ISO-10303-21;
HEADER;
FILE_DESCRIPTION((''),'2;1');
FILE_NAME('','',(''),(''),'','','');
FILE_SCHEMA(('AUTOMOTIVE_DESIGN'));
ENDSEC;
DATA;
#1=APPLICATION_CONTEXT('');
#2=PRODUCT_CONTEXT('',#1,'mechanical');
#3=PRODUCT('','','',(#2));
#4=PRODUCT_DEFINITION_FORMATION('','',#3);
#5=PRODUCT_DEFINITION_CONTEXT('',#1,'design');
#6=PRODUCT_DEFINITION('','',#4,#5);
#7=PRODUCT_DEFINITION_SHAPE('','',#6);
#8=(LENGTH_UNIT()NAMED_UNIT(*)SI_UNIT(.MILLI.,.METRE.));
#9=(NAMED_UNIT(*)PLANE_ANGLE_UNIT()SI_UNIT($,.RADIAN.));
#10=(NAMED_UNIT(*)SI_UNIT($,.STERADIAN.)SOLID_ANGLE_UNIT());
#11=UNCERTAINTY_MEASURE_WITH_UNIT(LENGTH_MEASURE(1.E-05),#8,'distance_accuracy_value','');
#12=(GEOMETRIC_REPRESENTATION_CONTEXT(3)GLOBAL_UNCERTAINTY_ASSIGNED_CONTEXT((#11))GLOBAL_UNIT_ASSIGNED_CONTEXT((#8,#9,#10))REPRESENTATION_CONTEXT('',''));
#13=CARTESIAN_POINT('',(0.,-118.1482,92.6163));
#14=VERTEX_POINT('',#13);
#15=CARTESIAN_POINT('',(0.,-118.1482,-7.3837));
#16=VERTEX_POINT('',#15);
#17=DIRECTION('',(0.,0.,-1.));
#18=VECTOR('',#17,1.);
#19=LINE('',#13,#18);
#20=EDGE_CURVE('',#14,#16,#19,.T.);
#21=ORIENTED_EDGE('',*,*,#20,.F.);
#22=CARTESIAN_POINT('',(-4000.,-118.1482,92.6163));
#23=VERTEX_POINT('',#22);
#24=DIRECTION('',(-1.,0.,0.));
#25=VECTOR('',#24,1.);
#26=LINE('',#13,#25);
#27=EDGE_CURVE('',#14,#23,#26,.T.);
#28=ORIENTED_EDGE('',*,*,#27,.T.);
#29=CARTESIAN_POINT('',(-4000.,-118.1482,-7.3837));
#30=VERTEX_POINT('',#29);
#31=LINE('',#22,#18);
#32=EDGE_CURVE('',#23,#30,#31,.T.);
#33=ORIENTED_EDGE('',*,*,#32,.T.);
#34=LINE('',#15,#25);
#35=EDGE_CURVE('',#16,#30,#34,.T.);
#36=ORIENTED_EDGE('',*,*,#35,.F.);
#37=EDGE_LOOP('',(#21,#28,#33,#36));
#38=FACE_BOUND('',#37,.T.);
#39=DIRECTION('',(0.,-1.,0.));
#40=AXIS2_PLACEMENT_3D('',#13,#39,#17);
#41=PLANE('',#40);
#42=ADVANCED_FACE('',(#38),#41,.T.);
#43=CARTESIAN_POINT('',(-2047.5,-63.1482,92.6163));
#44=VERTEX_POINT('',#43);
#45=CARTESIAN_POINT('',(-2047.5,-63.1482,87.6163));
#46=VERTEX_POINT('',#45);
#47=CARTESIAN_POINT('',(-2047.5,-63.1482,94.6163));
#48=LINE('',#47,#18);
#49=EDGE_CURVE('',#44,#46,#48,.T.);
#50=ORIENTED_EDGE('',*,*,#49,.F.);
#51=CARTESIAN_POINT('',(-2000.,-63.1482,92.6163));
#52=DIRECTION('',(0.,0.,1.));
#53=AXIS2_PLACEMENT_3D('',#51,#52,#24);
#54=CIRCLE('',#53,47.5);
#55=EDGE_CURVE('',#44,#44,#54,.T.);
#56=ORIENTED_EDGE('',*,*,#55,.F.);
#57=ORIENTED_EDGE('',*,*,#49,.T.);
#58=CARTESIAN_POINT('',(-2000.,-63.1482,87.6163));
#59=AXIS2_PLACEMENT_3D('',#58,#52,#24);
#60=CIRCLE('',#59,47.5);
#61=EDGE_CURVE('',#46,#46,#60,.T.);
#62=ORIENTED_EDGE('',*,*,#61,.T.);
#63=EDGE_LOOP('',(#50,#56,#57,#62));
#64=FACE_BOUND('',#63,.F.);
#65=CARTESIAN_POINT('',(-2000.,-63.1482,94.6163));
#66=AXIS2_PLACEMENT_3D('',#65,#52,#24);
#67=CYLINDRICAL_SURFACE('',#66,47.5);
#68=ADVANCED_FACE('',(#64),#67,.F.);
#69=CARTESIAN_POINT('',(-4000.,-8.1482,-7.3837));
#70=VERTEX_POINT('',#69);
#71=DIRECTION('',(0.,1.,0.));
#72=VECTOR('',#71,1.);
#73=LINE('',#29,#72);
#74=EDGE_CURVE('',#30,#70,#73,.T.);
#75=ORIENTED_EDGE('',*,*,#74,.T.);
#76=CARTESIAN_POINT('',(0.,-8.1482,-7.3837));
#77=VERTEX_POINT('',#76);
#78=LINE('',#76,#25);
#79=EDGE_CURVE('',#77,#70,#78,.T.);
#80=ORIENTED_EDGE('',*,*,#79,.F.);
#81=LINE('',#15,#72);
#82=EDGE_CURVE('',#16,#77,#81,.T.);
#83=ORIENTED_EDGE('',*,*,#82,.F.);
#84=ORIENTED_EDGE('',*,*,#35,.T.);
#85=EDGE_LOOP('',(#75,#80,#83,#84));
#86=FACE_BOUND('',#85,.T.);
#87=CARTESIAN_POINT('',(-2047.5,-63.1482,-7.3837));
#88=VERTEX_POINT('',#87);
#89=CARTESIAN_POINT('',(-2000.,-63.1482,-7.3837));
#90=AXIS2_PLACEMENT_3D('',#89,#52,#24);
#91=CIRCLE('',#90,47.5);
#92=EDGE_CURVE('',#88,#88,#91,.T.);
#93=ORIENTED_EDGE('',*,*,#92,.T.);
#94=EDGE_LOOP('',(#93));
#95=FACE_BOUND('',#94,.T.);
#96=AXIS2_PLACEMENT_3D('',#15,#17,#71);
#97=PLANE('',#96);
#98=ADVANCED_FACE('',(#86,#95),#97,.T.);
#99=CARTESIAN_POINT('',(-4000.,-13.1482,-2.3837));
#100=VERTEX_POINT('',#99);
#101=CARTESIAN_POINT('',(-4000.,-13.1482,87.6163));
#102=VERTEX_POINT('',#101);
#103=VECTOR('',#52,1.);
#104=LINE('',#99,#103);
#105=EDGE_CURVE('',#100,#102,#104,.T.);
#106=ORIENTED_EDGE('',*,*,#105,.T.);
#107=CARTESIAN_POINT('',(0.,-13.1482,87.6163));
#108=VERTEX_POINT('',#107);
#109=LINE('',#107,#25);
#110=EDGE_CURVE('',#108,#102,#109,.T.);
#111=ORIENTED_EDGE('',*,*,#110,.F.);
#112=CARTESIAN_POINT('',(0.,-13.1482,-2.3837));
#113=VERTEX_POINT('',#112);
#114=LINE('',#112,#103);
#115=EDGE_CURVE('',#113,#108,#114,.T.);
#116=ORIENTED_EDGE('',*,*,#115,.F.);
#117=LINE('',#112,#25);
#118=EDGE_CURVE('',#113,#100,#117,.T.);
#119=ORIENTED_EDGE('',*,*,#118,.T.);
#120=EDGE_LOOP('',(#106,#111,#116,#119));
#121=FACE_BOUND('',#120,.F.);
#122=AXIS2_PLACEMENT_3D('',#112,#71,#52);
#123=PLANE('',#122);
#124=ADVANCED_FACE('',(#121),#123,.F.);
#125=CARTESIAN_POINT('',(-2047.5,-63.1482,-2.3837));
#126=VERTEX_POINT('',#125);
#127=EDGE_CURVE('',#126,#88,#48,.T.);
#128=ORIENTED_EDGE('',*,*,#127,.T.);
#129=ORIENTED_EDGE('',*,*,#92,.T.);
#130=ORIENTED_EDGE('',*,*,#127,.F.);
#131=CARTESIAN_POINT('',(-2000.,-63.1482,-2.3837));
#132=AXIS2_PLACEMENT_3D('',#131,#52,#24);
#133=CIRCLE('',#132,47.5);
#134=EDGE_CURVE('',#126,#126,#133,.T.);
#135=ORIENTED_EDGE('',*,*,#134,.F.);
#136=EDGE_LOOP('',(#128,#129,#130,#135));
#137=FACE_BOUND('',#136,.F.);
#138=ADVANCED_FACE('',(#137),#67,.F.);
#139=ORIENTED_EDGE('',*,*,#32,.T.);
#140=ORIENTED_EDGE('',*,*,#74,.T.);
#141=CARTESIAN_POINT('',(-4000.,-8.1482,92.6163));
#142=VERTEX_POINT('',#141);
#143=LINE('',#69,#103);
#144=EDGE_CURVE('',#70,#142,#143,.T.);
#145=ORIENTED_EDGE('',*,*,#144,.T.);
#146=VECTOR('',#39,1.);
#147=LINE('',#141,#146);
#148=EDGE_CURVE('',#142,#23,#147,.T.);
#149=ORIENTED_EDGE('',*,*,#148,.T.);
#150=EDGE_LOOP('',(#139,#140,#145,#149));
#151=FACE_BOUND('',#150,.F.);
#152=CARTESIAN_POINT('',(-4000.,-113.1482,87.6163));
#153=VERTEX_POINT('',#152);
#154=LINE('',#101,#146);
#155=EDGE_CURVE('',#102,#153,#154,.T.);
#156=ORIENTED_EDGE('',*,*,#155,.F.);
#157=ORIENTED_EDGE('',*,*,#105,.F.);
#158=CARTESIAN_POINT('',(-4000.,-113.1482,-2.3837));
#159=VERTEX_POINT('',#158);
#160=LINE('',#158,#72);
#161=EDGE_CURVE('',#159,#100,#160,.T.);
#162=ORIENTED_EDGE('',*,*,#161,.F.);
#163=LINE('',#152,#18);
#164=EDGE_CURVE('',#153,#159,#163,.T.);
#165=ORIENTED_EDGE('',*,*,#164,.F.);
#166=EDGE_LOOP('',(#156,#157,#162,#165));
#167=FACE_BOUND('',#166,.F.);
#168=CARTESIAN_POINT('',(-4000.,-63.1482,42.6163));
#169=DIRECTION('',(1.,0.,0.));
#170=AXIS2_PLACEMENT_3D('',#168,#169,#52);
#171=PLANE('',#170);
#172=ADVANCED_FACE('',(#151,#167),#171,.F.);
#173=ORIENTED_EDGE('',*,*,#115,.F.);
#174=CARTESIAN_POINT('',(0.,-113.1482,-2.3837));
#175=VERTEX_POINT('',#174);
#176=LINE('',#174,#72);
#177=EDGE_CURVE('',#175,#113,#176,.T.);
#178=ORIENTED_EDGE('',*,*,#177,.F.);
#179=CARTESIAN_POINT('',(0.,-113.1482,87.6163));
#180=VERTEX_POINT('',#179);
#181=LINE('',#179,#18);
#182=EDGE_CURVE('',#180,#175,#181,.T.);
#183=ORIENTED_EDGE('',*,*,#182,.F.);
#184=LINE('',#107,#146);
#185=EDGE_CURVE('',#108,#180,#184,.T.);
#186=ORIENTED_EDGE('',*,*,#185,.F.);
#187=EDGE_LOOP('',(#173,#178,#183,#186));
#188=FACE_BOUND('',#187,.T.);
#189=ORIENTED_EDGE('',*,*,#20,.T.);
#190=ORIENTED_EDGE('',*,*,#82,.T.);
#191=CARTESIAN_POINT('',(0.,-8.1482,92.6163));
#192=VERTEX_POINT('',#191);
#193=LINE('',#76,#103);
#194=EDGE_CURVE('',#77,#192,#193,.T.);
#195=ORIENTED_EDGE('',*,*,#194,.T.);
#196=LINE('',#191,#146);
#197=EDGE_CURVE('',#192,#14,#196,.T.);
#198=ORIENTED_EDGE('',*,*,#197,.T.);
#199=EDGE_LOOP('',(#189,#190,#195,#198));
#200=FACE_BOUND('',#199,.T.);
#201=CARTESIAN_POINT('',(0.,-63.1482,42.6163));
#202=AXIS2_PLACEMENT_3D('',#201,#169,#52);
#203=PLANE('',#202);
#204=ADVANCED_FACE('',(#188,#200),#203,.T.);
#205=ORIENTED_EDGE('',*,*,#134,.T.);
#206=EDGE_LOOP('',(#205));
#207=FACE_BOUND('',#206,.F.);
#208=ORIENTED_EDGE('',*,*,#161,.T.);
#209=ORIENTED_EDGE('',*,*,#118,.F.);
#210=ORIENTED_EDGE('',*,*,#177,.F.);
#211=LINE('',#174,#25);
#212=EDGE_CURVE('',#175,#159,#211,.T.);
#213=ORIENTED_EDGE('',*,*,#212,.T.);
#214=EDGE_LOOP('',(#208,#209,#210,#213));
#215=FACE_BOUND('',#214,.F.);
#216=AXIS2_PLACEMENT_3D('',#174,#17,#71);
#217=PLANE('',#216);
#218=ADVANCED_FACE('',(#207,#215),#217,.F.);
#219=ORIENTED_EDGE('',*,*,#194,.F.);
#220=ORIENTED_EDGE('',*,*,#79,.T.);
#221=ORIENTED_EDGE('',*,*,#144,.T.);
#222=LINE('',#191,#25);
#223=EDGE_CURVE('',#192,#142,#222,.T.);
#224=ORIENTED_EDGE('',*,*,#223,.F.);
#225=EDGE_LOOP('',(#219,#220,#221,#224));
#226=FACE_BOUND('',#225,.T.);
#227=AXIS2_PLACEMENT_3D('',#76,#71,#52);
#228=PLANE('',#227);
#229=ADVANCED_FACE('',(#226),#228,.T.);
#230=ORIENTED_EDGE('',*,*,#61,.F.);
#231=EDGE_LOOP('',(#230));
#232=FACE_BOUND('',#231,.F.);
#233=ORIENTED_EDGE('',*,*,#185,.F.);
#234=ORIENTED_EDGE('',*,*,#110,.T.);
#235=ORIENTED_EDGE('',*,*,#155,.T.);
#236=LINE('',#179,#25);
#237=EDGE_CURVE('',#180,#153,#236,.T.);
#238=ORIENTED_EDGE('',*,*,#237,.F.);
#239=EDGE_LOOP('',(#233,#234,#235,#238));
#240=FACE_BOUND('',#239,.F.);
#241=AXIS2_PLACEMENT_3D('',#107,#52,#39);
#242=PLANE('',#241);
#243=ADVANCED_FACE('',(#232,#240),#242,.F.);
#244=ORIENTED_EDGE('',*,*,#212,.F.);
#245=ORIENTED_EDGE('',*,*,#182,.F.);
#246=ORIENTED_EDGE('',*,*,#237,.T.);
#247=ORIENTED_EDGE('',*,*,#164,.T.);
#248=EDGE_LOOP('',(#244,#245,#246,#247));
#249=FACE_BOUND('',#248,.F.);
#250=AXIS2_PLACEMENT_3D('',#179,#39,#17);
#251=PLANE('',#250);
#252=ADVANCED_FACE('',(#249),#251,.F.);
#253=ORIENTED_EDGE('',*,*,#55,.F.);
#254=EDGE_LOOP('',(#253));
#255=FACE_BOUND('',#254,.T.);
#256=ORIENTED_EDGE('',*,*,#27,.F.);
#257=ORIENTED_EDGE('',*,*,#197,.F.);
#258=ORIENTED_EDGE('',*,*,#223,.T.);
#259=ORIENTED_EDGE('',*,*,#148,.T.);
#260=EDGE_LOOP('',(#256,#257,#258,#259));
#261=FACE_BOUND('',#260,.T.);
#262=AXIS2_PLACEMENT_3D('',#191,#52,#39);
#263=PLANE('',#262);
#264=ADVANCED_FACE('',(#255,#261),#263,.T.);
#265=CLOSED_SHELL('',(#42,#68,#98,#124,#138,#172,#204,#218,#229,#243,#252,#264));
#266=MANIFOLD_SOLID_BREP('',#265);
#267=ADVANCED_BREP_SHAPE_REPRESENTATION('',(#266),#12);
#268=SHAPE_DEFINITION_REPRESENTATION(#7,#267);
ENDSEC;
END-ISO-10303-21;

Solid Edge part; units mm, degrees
sketch "Sketch1" plane through (0, 0, 0) normal (1, 0, 0) x (0, 1, 0)
  line L0 (-113.1482, -2.3837) -> (-13.1482, -2.3837)
  line L1 (-13.1482, -2.3837) -> (-13.1482, 87.6163)
  line L2 (-13.1482, 87.6163) -> (-113.1482, 87.6163)
  line L3 (-113.1482, 87.6163) -> (-113.1482, -2.3837)
  line L4 (-118.1482, -7.3837) -> (-8.1482, -7.3837)
  line L5 (-8.1482, -7.3837) -> (-8.1482, 92.6163)
  line L6 (-8.1482, 92.6163) -> (-118.1482, 92.6163)
  line L7 (-118.1482, 92.6163) -> (-118.1482, -7.3837)
  dimension "D1" = 100
  dimension "D2" = 110
  dimension "D3" = 100
  dimension "D4" = 90
extrude "Protrusion1" add sketch "Sketch1" against normal blind 4000
sketch "Sketch2" plane through (-1250, -71.3361, 94.6163) normal (0, 0, 1) x (-1, 0, 0)
  circle A0 centre (750, -8.1879) radius 47.5
  dimension "D1" = 2000
extrude "Cutout1" cut sketch "Sketch2" against normal through all
